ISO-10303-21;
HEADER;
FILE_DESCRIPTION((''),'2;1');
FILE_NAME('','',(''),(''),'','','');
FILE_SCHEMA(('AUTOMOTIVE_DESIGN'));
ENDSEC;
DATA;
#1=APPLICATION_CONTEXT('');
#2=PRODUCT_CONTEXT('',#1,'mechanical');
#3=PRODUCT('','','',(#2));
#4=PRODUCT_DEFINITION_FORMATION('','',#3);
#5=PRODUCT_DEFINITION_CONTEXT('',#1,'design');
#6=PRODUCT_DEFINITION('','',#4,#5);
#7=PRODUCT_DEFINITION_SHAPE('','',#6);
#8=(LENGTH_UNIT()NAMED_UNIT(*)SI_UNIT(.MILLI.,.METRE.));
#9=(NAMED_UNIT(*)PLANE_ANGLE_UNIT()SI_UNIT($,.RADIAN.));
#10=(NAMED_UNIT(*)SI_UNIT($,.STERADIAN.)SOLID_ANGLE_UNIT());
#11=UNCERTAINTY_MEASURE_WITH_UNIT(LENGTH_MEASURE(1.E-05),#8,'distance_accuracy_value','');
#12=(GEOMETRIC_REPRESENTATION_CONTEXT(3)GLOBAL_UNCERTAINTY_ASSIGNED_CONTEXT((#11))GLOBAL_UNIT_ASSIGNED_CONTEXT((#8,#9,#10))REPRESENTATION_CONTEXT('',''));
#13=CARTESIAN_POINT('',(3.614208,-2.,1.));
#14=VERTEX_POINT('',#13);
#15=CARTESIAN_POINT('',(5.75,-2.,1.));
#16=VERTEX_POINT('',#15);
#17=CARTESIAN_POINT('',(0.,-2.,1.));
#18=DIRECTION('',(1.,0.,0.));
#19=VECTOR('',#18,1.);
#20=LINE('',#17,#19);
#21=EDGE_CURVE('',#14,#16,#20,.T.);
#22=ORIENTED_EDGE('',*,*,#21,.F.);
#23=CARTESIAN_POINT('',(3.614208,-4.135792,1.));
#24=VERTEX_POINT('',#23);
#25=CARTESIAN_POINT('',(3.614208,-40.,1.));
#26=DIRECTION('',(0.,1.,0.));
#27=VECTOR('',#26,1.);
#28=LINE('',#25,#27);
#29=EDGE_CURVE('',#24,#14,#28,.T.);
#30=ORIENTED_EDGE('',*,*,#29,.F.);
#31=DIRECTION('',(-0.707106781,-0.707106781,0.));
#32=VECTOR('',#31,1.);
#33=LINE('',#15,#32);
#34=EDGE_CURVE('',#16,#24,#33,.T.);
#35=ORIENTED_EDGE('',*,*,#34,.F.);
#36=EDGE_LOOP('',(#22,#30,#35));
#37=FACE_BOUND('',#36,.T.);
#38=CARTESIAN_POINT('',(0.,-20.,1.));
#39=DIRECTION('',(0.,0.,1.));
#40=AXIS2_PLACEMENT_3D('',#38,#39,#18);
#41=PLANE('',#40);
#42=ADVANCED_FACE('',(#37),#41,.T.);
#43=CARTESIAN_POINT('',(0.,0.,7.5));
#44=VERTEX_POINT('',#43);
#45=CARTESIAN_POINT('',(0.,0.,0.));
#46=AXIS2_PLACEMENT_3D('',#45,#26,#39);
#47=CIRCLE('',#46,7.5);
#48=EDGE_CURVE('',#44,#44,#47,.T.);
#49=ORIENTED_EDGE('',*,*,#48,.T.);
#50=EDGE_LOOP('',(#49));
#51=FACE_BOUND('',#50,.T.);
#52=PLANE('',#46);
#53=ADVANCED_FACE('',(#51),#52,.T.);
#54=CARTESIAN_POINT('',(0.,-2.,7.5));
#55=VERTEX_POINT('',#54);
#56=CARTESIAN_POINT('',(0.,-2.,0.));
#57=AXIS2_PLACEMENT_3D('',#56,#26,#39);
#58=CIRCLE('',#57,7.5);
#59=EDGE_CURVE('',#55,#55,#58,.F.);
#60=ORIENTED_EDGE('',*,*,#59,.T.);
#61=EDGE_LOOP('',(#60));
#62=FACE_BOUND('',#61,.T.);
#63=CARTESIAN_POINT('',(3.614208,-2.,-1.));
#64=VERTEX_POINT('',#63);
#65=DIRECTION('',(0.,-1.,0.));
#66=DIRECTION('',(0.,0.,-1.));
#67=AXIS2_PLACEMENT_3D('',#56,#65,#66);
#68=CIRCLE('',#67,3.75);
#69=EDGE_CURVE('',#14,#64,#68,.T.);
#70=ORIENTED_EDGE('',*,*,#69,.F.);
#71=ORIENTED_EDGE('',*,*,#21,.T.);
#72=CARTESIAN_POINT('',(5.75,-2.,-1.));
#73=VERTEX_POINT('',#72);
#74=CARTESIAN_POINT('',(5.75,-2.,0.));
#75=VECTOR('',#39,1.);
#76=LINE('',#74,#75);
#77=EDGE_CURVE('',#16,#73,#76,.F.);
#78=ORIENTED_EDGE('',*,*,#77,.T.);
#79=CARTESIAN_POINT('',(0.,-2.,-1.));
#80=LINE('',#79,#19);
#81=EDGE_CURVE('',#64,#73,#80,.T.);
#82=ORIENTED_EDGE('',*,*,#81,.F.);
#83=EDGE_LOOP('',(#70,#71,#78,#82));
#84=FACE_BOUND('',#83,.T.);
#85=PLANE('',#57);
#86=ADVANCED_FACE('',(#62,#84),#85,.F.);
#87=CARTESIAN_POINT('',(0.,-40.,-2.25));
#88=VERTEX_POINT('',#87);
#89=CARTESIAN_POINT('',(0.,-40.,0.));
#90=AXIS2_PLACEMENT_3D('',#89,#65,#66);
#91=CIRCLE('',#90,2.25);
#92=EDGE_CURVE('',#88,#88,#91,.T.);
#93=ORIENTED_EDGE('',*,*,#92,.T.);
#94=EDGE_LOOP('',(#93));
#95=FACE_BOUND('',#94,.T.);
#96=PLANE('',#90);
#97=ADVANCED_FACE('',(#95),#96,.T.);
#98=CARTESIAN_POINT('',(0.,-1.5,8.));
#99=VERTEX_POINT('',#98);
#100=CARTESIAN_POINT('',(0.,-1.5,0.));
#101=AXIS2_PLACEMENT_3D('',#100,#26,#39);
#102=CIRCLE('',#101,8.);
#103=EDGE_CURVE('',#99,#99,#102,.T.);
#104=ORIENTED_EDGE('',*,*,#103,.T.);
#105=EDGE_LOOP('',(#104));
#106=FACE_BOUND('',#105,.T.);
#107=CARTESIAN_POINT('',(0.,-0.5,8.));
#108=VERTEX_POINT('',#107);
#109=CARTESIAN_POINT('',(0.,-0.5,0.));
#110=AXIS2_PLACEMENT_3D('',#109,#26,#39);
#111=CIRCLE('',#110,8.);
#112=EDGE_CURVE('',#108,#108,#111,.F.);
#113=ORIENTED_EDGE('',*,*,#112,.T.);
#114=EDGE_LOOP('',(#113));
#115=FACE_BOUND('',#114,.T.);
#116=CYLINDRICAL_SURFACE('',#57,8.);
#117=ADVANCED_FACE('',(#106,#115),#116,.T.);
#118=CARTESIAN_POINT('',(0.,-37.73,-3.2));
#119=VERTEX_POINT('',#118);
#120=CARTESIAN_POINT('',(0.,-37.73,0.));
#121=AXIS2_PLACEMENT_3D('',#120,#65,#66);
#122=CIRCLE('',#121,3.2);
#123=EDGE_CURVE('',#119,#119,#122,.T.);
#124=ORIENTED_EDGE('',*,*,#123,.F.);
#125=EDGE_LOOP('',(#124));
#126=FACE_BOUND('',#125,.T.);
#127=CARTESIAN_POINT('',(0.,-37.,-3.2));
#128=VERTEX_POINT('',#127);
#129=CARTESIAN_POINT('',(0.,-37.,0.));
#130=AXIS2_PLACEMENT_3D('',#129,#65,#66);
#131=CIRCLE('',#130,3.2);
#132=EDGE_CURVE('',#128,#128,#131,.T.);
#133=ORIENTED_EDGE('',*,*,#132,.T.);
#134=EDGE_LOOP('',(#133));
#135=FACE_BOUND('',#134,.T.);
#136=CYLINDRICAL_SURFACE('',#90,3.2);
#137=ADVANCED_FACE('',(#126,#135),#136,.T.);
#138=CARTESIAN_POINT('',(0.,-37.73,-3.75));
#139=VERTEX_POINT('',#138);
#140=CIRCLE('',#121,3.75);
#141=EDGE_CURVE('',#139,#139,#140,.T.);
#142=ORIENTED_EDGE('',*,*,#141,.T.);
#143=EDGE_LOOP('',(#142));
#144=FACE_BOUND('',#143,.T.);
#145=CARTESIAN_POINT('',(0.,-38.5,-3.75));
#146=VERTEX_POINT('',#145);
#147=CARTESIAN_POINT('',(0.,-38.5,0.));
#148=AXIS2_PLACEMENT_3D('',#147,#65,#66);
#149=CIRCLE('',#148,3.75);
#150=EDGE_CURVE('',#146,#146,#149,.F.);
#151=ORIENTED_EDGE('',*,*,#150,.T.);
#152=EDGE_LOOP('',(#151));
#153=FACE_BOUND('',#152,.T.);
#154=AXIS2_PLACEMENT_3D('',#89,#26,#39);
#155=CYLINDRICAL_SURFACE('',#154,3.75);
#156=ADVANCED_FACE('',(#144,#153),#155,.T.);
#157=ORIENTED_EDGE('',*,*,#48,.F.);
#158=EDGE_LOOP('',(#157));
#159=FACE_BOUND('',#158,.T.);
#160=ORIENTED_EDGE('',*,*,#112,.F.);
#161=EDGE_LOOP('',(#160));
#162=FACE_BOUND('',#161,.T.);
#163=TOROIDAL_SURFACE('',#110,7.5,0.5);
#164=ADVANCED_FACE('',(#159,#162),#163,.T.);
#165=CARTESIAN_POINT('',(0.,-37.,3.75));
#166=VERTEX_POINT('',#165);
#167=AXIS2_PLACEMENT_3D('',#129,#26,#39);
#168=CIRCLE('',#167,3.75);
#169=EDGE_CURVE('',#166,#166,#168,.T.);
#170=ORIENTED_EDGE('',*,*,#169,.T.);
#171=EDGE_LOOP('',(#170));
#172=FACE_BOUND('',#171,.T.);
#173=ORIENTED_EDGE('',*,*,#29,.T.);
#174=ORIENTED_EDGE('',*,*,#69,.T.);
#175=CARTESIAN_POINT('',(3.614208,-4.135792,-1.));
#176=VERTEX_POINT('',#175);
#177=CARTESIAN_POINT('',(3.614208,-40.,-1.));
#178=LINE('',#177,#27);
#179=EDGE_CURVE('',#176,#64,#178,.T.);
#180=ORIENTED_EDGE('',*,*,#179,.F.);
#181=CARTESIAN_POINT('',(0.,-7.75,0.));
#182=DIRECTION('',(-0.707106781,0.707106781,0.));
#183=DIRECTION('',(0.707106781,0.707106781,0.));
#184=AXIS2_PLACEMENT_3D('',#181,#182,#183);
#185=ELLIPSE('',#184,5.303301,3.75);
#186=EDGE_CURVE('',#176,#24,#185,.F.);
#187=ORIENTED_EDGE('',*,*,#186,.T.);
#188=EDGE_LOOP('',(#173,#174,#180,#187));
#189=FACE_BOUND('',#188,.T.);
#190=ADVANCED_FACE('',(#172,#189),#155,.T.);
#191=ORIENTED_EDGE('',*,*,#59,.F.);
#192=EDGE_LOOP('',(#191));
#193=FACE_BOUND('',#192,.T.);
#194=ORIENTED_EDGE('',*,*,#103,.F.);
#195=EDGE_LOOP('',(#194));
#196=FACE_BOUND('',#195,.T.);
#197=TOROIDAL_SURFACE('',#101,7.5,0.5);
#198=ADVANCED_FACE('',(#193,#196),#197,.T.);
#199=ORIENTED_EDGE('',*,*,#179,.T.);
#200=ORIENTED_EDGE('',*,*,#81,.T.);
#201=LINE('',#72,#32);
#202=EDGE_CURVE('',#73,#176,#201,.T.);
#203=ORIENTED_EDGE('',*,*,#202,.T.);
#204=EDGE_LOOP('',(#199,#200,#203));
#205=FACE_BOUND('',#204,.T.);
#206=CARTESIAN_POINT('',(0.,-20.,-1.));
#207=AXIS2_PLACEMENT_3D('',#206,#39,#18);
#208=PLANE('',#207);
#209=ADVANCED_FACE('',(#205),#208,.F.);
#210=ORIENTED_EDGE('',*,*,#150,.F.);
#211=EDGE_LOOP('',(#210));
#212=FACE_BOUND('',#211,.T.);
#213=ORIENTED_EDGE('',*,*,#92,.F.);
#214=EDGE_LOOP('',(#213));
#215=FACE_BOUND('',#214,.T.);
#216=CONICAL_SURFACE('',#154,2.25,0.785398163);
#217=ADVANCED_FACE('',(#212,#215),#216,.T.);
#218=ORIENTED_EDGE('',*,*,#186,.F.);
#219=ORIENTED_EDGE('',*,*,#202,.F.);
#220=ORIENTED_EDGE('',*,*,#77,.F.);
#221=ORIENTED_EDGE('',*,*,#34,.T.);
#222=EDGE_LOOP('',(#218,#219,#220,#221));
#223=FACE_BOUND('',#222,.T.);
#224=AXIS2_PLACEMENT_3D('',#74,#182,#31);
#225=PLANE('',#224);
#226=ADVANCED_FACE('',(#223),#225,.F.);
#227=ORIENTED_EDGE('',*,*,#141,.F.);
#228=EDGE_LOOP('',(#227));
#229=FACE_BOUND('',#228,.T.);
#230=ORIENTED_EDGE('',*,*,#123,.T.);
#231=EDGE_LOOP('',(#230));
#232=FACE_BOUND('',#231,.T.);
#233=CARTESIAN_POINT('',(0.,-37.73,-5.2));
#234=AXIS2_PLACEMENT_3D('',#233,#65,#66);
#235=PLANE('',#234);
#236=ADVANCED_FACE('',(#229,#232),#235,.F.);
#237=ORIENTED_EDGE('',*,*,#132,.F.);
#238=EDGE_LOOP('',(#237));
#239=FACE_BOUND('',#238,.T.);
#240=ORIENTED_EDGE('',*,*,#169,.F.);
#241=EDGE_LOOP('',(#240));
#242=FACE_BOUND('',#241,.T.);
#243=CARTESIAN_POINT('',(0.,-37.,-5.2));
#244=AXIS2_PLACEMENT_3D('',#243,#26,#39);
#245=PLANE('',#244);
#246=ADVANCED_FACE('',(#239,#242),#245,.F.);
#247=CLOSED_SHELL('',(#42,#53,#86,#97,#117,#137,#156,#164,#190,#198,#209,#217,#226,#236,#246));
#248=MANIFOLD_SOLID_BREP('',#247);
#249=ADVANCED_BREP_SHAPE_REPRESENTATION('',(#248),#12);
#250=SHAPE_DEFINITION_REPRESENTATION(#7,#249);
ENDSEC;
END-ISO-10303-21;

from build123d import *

# Parameters (mm, degrees)
SKETCH1_R           = 8
BOSS_EXTRUDE1_DEPTH = 2
SKETCH2_R           = 3.75
BOSS_EXTRUDE2_DEPTH = 38
RIB2_REACH          = 43.569
SKETCH3_WALL_W      = 87.966865888
SKETCH3_WALL_H      = 2
SKETCH5_W           = 2
SKETCH5_H           = 0.73
FILLET1_R           = 0.5
CHAMFER1_SIZE       = 1.5


with BuildPart() as part:
    # Sketch1 → Boss-Extrude1 (new body)
    with BuildSketch(Plane(origin=(0, 0, 0), x_dir=(1, 0, 0), z_dir=(0, 1, 0))):
        with Locations(Location((0, 0, 0), (0, 0, 270))):
            Circle(SKETCH1_R)
    extrude(amount=-BOSS_EXTRUDE1_DEPTH)

    # Sketch2 → Boss-Extrude2 (add)
    with BuildSketch(Plane.XZ.offset(2)):
        with Locations(Location((0, 0, 0), (0, 0, 270))):
            Circle(SKETCH2_R)
    extrude(amount=BOSS_EXTRUDE2_DEPTH)

    # Sketch3 wall → Rib2 (add, up to next)
    with BuildSketch(Plane(origin=(4.75, -3, 0), x_dir=(-0.707106781187, -0.707106781187, 0), z_dir=(0.707106781187, -0.707106781187, 0)), mode=Mode.PRIVATE) as rib2_sk1:
        Rectangle(SKETCH3_WALL_W, SKETCH3_WALL_H)
    rib2_tool1 = extrude(rib2_sk1.sketch, amount=-RIB2_REACH, mode=Mode.PRIVATE) - part.part
    add(rib2_tool1.solids().sort_by_distance((4.75, -3, 0))[0])

    # Sketch5 → Cut-Revolve1 (revolve, cut)
    with BuildSketch(Plane(origin=(0, 0, 0), x_dir=(0, 0, -1), z_dir=(1, 0, 0))):
        with Locations((4.2, -37.365)):
            Rectangle(SKETCH5_W, SKETCH5_H)
    revolve(axis=Axis((0, -40, 0), (0, 1, 0)), mode=Mode.SUBTRACT)

    # Fillet1
    fillet1_edges = [part.edges().sort_by_distance(p)[0] for p in [
        (0, 0, -8),
        (0, -2, -8),
    ]]
    fillet(fillet1_edges, radius=FILLET1_R)

    # Chamfer1
    chamfer1_edges = [part.edges().sort_by_distance(p)[0] for p in [
        (0, -40, 3.75),
    ]]
    chamfer(chamfer1_edges, length=CHAMFER1_SIZE)


solid = part.part
